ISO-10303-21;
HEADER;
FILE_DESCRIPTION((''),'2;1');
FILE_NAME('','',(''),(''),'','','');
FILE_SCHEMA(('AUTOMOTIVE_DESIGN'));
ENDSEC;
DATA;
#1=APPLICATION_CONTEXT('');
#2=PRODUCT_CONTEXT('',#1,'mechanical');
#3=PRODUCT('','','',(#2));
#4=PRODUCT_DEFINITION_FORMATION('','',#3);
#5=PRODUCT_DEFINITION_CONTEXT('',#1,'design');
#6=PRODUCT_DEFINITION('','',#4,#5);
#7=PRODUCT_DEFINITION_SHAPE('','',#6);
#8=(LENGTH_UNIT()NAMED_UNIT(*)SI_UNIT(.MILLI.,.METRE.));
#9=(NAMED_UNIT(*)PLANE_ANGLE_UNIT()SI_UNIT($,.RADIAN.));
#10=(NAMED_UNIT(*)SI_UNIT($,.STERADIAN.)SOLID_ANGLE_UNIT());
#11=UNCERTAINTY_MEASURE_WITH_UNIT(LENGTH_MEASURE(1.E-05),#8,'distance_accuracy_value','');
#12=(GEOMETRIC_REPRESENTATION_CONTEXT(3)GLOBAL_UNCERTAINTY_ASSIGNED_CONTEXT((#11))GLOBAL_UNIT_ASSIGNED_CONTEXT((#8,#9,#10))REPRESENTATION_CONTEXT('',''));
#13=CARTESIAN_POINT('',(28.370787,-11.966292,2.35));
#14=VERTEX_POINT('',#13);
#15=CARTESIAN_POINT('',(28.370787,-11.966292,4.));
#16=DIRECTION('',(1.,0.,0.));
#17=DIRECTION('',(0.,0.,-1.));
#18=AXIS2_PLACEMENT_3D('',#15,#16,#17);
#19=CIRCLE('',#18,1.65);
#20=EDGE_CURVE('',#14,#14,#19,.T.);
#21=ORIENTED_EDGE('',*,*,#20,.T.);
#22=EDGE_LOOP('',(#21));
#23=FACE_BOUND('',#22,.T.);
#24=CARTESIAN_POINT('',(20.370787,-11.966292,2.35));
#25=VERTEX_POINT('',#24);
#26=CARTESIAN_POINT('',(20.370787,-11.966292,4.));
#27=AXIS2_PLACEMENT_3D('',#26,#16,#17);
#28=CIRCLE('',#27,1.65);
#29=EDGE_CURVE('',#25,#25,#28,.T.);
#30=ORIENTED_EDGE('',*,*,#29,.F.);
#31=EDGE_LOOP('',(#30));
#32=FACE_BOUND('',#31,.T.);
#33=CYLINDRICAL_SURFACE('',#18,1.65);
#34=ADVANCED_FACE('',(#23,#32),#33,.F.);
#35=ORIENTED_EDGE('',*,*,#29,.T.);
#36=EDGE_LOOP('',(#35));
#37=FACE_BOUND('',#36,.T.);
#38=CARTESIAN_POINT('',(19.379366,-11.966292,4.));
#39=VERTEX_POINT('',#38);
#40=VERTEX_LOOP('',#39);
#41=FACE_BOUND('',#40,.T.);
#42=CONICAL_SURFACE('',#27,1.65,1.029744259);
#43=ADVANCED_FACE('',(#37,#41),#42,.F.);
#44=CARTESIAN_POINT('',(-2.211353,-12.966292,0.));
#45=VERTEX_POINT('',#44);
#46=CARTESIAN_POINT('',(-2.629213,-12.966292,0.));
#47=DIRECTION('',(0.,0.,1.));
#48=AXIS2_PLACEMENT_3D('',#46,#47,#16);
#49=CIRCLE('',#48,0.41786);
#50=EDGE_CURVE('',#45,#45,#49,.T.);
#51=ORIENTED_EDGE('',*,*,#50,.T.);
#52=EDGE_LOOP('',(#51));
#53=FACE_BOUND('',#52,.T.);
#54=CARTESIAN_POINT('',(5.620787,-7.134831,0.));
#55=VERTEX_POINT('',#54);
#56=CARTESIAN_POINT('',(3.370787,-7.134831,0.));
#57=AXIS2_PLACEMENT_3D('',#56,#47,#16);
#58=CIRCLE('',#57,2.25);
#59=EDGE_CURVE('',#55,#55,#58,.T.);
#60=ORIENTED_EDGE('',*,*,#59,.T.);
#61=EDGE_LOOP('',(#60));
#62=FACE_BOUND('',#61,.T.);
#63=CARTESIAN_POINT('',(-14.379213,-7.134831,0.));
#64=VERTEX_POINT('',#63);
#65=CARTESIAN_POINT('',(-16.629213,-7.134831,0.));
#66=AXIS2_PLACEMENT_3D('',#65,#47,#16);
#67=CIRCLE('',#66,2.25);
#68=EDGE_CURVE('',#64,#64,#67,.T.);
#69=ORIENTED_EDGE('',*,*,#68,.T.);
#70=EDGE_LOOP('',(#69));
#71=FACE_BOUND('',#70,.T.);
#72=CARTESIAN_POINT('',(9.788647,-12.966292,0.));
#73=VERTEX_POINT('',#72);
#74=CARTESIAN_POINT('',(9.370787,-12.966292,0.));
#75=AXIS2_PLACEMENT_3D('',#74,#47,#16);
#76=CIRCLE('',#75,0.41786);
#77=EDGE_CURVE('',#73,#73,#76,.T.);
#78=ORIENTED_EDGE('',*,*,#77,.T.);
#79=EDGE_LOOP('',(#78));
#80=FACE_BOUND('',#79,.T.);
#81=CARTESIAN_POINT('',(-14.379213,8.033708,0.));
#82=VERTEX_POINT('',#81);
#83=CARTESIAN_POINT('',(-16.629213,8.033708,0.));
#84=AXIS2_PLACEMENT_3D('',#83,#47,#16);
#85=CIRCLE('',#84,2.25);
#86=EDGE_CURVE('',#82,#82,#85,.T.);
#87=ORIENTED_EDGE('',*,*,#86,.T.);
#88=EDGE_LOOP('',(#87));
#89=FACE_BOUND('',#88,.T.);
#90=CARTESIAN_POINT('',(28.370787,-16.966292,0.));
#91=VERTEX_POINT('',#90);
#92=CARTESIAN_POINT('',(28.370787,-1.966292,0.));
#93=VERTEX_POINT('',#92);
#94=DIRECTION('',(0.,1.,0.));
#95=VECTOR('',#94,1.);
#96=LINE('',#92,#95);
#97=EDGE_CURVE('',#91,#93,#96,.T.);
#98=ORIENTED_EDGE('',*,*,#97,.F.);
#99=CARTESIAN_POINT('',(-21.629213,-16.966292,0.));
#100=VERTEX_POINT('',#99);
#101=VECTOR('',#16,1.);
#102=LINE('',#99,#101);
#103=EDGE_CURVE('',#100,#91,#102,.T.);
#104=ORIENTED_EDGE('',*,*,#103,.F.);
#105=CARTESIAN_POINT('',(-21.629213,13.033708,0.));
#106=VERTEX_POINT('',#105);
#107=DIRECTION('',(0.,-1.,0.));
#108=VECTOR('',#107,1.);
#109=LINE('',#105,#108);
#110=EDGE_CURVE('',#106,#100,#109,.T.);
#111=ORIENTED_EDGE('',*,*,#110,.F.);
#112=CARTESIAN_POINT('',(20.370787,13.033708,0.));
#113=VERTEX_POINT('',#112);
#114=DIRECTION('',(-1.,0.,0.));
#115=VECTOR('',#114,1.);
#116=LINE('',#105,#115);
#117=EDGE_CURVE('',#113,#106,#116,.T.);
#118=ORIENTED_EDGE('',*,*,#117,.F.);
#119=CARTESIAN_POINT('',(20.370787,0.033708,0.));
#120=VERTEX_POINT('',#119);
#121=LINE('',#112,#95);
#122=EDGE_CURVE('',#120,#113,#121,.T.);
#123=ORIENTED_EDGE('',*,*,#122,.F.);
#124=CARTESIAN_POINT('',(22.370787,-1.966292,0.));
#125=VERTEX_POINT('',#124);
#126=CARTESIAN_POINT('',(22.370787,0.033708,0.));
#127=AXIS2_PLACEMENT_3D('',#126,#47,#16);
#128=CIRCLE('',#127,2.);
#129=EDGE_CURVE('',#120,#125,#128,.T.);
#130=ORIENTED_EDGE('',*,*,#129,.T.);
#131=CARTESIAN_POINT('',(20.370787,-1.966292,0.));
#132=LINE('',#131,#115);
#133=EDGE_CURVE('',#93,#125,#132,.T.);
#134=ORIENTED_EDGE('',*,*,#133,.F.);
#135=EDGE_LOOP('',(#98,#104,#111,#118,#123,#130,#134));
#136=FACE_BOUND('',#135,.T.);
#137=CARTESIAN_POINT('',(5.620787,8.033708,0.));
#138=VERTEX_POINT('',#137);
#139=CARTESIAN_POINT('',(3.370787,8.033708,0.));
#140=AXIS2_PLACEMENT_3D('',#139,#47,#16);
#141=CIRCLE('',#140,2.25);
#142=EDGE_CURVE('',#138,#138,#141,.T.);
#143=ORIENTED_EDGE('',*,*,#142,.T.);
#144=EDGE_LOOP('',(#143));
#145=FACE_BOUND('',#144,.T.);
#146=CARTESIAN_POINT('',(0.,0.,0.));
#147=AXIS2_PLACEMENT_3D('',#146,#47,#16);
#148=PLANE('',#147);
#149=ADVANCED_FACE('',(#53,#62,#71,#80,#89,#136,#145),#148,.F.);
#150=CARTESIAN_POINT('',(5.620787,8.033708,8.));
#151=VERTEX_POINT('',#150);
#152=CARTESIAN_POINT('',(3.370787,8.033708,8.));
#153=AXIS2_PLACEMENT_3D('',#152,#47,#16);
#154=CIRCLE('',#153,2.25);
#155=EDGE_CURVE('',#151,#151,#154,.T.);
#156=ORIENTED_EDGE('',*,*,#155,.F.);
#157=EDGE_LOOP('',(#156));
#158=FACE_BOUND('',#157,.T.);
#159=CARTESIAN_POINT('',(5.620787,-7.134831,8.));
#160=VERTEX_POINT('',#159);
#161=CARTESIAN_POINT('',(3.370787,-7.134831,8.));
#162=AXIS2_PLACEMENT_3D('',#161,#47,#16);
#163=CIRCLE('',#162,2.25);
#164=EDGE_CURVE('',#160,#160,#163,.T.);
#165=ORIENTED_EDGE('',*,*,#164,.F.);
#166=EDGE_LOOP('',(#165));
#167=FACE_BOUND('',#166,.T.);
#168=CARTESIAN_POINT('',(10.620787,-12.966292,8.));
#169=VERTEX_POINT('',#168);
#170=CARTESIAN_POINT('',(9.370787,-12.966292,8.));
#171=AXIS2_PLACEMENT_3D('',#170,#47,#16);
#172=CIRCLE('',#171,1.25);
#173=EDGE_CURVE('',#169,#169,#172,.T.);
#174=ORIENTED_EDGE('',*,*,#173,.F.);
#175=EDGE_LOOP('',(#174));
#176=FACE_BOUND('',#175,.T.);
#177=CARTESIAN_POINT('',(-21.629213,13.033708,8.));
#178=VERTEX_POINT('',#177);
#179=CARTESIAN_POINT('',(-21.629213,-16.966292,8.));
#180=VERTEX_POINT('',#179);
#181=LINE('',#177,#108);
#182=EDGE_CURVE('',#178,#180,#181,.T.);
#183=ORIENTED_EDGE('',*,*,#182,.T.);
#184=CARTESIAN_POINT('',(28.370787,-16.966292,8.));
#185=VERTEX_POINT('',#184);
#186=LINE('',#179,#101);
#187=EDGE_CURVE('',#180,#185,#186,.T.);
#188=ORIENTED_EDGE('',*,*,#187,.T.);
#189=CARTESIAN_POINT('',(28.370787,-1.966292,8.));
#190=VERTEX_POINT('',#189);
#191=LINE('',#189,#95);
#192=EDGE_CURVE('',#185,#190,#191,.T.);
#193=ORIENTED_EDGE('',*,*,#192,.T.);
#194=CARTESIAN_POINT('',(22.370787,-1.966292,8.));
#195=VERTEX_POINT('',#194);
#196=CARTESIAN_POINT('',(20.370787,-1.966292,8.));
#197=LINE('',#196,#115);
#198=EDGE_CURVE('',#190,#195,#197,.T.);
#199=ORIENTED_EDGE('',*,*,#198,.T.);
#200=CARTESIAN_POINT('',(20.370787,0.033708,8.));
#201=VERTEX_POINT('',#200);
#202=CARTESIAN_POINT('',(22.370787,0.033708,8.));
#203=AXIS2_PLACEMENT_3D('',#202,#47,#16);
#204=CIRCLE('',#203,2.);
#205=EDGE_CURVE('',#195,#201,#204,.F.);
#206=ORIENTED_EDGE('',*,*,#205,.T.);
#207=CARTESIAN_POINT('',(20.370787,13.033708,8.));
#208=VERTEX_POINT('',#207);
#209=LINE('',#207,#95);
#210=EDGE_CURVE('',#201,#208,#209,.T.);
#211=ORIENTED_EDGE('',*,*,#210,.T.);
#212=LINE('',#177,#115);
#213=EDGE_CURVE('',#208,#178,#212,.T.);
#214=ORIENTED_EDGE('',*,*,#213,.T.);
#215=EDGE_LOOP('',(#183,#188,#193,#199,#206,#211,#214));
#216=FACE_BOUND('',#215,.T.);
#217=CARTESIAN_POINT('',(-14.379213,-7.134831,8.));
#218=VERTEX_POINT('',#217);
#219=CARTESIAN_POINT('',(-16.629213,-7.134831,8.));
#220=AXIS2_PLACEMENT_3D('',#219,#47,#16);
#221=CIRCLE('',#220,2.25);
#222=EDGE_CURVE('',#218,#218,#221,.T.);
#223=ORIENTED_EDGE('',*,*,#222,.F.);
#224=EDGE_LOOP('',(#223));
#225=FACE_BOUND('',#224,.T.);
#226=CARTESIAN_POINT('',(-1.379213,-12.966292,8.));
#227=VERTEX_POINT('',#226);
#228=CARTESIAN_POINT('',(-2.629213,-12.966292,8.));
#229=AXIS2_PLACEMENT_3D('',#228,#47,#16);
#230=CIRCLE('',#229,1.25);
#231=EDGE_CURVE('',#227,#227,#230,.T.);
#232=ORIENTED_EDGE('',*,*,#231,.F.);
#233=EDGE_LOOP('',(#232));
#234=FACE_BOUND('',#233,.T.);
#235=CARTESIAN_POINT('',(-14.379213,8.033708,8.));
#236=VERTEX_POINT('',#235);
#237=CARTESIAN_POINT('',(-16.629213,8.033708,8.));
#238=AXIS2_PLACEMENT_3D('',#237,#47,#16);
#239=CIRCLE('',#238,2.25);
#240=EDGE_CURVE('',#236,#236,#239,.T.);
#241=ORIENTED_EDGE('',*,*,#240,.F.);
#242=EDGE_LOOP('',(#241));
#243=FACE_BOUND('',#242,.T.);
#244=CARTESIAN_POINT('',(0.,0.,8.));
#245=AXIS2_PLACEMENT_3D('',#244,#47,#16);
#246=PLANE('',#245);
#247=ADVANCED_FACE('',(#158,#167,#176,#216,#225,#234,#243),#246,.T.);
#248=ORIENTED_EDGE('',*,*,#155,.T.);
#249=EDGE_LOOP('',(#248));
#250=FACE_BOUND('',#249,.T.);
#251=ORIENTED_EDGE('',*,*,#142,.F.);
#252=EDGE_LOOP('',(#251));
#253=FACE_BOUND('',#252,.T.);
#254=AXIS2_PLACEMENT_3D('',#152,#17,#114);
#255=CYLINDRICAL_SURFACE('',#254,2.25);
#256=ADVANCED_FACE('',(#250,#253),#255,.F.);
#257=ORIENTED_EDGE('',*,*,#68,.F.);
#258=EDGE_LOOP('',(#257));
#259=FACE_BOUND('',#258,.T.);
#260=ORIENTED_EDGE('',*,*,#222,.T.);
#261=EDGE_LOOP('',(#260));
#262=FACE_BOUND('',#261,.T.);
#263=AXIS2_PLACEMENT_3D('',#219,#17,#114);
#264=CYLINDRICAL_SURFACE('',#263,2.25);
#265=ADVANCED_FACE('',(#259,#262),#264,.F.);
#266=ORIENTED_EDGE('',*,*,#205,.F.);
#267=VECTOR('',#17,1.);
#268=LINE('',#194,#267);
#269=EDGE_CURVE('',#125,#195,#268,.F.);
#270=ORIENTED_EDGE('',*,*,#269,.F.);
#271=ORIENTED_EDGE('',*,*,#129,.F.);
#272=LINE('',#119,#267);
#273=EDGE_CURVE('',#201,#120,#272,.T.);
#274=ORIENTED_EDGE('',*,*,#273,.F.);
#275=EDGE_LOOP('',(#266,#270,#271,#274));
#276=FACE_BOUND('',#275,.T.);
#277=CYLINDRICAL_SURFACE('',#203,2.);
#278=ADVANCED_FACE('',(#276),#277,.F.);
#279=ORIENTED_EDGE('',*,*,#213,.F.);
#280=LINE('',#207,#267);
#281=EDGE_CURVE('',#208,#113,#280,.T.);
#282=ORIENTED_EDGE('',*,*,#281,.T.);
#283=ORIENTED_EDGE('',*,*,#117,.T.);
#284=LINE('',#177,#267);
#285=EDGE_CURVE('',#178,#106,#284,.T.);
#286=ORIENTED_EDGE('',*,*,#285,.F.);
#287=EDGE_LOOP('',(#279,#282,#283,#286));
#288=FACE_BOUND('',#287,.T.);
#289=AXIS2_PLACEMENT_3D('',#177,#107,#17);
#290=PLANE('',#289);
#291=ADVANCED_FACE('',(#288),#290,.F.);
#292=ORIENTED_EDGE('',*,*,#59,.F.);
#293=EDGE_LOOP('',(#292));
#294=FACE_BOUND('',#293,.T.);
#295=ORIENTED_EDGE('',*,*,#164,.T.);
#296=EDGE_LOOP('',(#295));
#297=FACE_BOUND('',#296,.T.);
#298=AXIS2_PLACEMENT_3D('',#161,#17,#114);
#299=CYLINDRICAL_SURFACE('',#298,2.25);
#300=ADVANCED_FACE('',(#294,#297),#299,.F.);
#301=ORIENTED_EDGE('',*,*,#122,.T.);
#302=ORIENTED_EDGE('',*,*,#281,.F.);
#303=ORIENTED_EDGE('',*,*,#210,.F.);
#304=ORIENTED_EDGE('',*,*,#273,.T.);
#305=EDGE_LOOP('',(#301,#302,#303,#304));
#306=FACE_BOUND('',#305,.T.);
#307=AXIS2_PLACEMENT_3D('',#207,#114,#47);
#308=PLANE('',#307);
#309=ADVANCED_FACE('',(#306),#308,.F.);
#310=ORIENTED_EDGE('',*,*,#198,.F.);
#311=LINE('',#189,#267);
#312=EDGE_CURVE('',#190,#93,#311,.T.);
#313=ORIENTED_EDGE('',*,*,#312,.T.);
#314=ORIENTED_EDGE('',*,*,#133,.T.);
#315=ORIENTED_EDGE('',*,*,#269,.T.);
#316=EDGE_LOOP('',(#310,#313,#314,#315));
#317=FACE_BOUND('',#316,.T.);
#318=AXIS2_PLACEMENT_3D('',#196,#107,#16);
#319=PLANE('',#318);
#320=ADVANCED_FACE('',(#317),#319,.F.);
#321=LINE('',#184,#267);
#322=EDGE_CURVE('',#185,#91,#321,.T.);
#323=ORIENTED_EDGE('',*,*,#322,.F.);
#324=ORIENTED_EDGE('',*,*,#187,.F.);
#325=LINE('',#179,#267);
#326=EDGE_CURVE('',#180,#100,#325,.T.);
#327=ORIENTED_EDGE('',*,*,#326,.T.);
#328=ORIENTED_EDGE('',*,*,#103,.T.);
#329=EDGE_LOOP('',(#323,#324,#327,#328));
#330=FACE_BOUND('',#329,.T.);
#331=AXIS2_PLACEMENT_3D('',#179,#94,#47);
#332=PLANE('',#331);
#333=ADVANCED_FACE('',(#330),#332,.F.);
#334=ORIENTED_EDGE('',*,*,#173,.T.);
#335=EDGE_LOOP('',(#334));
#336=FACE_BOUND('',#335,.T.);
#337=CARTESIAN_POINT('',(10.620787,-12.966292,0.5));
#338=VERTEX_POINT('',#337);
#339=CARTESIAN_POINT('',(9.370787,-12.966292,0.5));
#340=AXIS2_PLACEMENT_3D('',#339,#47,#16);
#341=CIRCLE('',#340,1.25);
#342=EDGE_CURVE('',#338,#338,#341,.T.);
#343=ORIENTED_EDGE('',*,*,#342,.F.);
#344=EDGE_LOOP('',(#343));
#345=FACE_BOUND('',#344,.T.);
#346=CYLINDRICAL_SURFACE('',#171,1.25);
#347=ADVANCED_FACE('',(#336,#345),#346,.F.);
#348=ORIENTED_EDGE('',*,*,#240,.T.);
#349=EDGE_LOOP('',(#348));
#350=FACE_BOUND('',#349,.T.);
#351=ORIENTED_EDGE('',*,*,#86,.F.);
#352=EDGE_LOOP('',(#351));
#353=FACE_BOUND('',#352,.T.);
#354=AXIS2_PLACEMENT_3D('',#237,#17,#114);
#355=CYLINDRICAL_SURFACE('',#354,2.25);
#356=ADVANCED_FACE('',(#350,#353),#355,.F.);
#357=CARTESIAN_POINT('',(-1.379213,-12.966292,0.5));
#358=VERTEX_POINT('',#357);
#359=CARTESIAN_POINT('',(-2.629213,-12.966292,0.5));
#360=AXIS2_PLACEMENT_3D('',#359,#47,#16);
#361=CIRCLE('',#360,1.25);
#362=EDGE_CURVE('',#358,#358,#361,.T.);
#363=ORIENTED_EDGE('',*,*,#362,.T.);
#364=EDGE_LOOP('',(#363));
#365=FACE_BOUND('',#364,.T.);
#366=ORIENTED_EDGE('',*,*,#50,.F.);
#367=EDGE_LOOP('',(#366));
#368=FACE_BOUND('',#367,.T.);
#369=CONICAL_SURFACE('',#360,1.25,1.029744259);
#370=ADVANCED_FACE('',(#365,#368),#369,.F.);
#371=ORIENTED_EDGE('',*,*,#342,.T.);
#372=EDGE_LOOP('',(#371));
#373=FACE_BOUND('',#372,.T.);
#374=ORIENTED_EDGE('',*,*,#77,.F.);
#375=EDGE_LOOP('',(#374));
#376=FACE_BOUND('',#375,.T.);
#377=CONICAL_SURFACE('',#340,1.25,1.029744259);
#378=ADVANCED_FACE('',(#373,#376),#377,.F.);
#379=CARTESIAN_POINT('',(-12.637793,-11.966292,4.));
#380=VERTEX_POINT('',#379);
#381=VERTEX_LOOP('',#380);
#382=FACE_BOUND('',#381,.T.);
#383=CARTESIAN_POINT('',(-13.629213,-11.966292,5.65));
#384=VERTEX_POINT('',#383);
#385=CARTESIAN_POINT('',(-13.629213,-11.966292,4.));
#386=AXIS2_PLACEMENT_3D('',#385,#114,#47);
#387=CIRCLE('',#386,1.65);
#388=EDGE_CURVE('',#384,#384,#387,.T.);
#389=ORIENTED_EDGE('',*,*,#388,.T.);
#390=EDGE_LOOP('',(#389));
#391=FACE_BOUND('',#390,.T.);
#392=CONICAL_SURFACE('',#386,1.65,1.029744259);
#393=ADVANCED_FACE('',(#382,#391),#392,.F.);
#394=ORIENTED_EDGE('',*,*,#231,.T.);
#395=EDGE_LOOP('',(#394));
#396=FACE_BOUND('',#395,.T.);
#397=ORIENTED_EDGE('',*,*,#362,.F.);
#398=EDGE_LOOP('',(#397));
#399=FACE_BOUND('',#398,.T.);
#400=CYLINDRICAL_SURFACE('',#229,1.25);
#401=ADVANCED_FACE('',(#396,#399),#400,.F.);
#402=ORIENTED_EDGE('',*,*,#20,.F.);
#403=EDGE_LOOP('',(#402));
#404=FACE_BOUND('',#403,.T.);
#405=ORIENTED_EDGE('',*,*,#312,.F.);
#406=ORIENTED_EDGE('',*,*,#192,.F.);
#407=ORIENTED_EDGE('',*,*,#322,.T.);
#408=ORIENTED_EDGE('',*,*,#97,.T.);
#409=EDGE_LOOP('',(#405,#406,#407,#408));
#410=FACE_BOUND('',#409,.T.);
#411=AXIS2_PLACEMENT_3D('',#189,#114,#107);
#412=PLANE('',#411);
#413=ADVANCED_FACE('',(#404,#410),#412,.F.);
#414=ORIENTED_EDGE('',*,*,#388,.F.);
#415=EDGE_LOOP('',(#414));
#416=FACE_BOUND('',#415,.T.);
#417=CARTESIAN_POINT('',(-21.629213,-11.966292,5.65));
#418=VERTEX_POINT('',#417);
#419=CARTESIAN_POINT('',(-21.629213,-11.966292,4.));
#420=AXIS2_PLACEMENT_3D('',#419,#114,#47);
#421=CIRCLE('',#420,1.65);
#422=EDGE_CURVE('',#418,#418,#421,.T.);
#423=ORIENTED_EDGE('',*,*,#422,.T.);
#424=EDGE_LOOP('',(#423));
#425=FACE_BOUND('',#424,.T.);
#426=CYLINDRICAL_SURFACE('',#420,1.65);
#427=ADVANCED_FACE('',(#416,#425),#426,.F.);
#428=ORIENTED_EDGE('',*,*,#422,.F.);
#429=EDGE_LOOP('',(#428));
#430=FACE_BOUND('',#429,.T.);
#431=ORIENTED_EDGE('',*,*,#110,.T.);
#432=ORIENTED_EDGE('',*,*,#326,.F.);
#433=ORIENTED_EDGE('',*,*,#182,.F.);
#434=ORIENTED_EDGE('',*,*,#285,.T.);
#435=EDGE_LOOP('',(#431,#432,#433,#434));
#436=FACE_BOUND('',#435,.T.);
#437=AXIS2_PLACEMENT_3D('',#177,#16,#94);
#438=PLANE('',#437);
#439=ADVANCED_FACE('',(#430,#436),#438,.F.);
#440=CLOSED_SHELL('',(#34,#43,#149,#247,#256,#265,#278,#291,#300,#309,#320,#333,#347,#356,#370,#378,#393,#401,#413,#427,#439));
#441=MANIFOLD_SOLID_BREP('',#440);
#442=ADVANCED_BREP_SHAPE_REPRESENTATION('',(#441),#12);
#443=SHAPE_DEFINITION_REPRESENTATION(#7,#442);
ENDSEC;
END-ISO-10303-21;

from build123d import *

# Parameters (mm, degrees)
SKETCH2_R             = 2.25
BOSS_EXTRUDE1_DEPTH   = 8
M3_TAPPED_HOLE1_D     = 2.5
M3_TAPPED_HOLE1_DEPTH = 7.5
M3_TAPPED_HOLE1_TIP   = 0.751075774
M4_TAPPED_HOLE1_D     = 3.3
M4_TAPPED_HOLE1_DEPTH = 8
M4_TAPPED_HOLE1_TIP   = 0.991420021
M4_TAPPED_HOLE2_D     = 3.3
M4_TAPPED_HOLE2_DEPTH = 8
M4_TAPPED_HOLE2_TIP   = 0.991420021
FILLET1_R             = 2


with BuildPart() as part:
    # Sketch2 → Boss-Extrude1 (new body)
    with BuildSketch(Plane.XY):
        Polygon((-21.629213483, 13.033707865), (20.370786517, 13.033707865), (20.370786517, -1.966292135), (28.370786517, -1.966292135), (28.370786517, -16.966292135), (-21.629213483, -16.966292135), align=None)
        with Locations((-16.629213483, 8.033707865)):
            Circle(SKETCH2_R, mode=Mode.SUBTRACT)
        with Locations((3.370786517, 8.033707865)):
            Circle(SKETCH2_R, mode=Mode.SUBTRACT)
        with Locations((-16.629213483, -7.134831461)):
            Circle(SKETCH2_R, mode=Mode.SUBTRACT)
        with Locations((3.370786517, -7.134831461)):
            Circle(SKETCH2_R, mode=Mode.SUBTRACT)
    extrude(amount=BOSS_EXTRUDE1_DEPTH)

    # M3 Tapped Hole1
    with Locations(Plane.XY.offset(8)):
        with Locations((-2.629213483, -12.966292135), (9.370786517, -12.966292135)):
            Hole(M3_TAPPED_HOLE1_D / 2, depth=M3_TAPPED_HOLE1_DEPTH)
            with Locations((0, 0, -(M3_TAPPED_HOLE1_DEPTH + M3_TAPPED_HOLE1_TIP / 2))):  # 118° drill point
                Cone(0, M3_TAPPED_HOLE1_D / 2, M3_TAPPED_HOLE1_TIP, mode=Mode.SUBTRACT)

    # M4 Tapped Hole1
    with Locations(Plane(origin=(28.370786517, 0, 0), x_dir=(0, 0, -1), z_dir=(1, 0, 0))):
        with Locations((-4, -11.966292135)):
            Hole(M4_TAPPED_HOLE1_D / 2, depth=M4_TAPPED_HOLE1_DEPTH)
            with Locations((0, 0, -(M4_TAPPED_HOLE1_DEPTH + M4_TAPPED_HOLE1_TIP / 2))):  # 118° drill point
                Cone(0, M4_TAPPED_HOLE1_D / 2, M4_TAPPED_HOLE1_TIP, mode=Mode.SUBTRACT)

    # M4 Tapped Hole2
    with Locations(Plane.ZY.offset(21.629213483)):
        with Locations((4, -11.966292135)):
            Hole(M4_TAPPED_HOLE2_D / 2, depth=M4_TAPPED_HOLE2_DEPTH)
            with Locations((0, 0, -(M4_TAPPED_HOLE2_DEPTH + M4_TAPPED_HOLE2_TIP / 2))):  # 118° drill point
                Cone(0, M4_TAPPED_HOLE2_D / 2, M4_TAPPED_HOLE2_TIP, mode=Mode.SUBTRACT)

    # Fillet1
    fillet1_edges = [part.edges().sort_by_distance(p)[0] for p in [
        (20.370786517, -1.966292135, 4),
    ]]
    fillet(fillet1_edges, radius=FILLET1_R)


solid = part.part
